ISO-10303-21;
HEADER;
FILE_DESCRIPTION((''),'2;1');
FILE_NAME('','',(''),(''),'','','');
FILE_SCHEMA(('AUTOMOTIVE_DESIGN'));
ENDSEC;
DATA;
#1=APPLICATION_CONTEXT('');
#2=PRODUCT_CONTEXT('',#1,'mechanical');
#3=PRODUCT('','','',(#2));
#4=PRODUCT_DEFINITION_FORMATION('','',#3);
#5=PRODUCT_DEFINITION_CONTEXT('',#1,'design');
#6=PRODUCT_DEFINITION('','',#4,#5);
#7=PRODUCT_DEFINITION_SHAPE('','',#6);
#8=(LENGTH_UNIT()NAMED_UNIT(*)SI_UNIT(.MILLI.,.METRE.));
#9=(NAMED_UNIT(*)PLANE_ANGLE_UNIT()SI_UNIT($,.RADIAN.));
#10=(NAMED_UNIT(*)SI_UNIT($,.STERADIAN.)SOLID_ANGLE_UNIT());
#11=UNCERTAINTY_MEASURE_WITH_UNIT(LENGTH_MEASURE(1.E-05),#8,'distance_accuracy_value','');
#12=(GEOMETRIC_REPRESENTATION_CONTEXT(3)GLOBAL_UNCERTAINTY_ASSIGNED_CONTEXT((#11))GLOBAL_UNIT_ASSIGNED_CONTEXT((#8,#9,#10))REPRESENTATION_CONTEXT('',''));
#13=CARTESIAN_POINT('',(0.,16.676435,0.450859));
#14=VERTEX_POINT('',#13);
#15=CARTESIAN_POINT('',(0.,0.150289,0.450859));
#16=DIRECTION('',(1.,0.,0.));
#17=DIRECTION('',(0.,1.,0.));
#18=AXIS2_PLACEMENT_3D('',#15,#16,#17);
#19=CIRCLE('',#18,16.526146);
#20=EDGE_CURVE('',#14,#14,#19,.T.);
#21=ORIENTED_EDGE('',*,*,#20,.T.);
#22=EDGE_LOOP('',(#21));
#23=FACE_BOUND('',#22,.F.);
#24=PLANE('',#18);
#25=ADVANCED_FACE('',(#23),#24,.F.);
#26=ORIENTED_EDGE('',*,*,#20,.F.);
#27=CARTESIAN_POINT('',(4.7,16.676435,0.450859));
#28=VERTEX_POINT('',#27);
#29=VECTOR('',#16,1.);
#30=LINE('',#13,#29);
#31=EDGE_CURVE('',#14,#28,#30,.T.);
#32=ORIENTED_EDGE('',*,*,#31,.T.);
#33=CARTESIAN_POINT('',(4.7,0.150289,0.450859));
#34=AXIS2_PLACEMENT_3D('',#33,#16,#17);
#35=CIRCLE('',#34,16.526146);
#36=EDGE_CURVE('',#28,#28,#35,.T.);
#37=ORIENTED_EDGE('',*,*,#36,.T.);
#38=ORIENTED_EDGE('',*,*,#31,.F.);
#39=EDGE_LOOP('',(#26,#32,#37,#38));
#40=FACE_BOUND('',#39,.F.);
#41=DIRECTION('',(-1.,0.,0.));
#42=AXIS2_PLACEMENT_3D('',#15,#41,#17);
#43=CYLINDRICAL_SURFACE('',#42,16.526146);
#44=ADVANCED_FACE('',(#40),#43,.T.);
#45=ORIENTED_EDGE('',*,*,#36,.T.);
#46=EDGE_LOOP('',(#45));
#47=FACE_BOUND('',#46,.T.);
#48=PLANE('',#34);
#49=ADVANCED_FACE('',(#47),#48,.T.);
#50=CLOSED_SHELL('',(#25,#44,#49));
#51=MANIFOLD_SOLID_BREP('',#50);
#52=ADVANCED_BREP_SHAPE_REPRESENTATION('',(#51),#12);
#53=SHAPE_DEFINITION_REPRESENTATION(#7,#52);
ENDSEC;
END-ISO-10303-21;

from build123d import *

# Parameters (mm, degrees)
F0_R     = 16.526146
F1_DEPTH = 4.7


with BuildPart() as f1:
    # F0 (on Right) → F1 (new body)
    with BuildSketch(Plane.YZ):
        with Locations((0.150289, 0.450859)):
            Circle(F0_R)
    extrude(amount=F1_DEPTH)


solid = f1.part
